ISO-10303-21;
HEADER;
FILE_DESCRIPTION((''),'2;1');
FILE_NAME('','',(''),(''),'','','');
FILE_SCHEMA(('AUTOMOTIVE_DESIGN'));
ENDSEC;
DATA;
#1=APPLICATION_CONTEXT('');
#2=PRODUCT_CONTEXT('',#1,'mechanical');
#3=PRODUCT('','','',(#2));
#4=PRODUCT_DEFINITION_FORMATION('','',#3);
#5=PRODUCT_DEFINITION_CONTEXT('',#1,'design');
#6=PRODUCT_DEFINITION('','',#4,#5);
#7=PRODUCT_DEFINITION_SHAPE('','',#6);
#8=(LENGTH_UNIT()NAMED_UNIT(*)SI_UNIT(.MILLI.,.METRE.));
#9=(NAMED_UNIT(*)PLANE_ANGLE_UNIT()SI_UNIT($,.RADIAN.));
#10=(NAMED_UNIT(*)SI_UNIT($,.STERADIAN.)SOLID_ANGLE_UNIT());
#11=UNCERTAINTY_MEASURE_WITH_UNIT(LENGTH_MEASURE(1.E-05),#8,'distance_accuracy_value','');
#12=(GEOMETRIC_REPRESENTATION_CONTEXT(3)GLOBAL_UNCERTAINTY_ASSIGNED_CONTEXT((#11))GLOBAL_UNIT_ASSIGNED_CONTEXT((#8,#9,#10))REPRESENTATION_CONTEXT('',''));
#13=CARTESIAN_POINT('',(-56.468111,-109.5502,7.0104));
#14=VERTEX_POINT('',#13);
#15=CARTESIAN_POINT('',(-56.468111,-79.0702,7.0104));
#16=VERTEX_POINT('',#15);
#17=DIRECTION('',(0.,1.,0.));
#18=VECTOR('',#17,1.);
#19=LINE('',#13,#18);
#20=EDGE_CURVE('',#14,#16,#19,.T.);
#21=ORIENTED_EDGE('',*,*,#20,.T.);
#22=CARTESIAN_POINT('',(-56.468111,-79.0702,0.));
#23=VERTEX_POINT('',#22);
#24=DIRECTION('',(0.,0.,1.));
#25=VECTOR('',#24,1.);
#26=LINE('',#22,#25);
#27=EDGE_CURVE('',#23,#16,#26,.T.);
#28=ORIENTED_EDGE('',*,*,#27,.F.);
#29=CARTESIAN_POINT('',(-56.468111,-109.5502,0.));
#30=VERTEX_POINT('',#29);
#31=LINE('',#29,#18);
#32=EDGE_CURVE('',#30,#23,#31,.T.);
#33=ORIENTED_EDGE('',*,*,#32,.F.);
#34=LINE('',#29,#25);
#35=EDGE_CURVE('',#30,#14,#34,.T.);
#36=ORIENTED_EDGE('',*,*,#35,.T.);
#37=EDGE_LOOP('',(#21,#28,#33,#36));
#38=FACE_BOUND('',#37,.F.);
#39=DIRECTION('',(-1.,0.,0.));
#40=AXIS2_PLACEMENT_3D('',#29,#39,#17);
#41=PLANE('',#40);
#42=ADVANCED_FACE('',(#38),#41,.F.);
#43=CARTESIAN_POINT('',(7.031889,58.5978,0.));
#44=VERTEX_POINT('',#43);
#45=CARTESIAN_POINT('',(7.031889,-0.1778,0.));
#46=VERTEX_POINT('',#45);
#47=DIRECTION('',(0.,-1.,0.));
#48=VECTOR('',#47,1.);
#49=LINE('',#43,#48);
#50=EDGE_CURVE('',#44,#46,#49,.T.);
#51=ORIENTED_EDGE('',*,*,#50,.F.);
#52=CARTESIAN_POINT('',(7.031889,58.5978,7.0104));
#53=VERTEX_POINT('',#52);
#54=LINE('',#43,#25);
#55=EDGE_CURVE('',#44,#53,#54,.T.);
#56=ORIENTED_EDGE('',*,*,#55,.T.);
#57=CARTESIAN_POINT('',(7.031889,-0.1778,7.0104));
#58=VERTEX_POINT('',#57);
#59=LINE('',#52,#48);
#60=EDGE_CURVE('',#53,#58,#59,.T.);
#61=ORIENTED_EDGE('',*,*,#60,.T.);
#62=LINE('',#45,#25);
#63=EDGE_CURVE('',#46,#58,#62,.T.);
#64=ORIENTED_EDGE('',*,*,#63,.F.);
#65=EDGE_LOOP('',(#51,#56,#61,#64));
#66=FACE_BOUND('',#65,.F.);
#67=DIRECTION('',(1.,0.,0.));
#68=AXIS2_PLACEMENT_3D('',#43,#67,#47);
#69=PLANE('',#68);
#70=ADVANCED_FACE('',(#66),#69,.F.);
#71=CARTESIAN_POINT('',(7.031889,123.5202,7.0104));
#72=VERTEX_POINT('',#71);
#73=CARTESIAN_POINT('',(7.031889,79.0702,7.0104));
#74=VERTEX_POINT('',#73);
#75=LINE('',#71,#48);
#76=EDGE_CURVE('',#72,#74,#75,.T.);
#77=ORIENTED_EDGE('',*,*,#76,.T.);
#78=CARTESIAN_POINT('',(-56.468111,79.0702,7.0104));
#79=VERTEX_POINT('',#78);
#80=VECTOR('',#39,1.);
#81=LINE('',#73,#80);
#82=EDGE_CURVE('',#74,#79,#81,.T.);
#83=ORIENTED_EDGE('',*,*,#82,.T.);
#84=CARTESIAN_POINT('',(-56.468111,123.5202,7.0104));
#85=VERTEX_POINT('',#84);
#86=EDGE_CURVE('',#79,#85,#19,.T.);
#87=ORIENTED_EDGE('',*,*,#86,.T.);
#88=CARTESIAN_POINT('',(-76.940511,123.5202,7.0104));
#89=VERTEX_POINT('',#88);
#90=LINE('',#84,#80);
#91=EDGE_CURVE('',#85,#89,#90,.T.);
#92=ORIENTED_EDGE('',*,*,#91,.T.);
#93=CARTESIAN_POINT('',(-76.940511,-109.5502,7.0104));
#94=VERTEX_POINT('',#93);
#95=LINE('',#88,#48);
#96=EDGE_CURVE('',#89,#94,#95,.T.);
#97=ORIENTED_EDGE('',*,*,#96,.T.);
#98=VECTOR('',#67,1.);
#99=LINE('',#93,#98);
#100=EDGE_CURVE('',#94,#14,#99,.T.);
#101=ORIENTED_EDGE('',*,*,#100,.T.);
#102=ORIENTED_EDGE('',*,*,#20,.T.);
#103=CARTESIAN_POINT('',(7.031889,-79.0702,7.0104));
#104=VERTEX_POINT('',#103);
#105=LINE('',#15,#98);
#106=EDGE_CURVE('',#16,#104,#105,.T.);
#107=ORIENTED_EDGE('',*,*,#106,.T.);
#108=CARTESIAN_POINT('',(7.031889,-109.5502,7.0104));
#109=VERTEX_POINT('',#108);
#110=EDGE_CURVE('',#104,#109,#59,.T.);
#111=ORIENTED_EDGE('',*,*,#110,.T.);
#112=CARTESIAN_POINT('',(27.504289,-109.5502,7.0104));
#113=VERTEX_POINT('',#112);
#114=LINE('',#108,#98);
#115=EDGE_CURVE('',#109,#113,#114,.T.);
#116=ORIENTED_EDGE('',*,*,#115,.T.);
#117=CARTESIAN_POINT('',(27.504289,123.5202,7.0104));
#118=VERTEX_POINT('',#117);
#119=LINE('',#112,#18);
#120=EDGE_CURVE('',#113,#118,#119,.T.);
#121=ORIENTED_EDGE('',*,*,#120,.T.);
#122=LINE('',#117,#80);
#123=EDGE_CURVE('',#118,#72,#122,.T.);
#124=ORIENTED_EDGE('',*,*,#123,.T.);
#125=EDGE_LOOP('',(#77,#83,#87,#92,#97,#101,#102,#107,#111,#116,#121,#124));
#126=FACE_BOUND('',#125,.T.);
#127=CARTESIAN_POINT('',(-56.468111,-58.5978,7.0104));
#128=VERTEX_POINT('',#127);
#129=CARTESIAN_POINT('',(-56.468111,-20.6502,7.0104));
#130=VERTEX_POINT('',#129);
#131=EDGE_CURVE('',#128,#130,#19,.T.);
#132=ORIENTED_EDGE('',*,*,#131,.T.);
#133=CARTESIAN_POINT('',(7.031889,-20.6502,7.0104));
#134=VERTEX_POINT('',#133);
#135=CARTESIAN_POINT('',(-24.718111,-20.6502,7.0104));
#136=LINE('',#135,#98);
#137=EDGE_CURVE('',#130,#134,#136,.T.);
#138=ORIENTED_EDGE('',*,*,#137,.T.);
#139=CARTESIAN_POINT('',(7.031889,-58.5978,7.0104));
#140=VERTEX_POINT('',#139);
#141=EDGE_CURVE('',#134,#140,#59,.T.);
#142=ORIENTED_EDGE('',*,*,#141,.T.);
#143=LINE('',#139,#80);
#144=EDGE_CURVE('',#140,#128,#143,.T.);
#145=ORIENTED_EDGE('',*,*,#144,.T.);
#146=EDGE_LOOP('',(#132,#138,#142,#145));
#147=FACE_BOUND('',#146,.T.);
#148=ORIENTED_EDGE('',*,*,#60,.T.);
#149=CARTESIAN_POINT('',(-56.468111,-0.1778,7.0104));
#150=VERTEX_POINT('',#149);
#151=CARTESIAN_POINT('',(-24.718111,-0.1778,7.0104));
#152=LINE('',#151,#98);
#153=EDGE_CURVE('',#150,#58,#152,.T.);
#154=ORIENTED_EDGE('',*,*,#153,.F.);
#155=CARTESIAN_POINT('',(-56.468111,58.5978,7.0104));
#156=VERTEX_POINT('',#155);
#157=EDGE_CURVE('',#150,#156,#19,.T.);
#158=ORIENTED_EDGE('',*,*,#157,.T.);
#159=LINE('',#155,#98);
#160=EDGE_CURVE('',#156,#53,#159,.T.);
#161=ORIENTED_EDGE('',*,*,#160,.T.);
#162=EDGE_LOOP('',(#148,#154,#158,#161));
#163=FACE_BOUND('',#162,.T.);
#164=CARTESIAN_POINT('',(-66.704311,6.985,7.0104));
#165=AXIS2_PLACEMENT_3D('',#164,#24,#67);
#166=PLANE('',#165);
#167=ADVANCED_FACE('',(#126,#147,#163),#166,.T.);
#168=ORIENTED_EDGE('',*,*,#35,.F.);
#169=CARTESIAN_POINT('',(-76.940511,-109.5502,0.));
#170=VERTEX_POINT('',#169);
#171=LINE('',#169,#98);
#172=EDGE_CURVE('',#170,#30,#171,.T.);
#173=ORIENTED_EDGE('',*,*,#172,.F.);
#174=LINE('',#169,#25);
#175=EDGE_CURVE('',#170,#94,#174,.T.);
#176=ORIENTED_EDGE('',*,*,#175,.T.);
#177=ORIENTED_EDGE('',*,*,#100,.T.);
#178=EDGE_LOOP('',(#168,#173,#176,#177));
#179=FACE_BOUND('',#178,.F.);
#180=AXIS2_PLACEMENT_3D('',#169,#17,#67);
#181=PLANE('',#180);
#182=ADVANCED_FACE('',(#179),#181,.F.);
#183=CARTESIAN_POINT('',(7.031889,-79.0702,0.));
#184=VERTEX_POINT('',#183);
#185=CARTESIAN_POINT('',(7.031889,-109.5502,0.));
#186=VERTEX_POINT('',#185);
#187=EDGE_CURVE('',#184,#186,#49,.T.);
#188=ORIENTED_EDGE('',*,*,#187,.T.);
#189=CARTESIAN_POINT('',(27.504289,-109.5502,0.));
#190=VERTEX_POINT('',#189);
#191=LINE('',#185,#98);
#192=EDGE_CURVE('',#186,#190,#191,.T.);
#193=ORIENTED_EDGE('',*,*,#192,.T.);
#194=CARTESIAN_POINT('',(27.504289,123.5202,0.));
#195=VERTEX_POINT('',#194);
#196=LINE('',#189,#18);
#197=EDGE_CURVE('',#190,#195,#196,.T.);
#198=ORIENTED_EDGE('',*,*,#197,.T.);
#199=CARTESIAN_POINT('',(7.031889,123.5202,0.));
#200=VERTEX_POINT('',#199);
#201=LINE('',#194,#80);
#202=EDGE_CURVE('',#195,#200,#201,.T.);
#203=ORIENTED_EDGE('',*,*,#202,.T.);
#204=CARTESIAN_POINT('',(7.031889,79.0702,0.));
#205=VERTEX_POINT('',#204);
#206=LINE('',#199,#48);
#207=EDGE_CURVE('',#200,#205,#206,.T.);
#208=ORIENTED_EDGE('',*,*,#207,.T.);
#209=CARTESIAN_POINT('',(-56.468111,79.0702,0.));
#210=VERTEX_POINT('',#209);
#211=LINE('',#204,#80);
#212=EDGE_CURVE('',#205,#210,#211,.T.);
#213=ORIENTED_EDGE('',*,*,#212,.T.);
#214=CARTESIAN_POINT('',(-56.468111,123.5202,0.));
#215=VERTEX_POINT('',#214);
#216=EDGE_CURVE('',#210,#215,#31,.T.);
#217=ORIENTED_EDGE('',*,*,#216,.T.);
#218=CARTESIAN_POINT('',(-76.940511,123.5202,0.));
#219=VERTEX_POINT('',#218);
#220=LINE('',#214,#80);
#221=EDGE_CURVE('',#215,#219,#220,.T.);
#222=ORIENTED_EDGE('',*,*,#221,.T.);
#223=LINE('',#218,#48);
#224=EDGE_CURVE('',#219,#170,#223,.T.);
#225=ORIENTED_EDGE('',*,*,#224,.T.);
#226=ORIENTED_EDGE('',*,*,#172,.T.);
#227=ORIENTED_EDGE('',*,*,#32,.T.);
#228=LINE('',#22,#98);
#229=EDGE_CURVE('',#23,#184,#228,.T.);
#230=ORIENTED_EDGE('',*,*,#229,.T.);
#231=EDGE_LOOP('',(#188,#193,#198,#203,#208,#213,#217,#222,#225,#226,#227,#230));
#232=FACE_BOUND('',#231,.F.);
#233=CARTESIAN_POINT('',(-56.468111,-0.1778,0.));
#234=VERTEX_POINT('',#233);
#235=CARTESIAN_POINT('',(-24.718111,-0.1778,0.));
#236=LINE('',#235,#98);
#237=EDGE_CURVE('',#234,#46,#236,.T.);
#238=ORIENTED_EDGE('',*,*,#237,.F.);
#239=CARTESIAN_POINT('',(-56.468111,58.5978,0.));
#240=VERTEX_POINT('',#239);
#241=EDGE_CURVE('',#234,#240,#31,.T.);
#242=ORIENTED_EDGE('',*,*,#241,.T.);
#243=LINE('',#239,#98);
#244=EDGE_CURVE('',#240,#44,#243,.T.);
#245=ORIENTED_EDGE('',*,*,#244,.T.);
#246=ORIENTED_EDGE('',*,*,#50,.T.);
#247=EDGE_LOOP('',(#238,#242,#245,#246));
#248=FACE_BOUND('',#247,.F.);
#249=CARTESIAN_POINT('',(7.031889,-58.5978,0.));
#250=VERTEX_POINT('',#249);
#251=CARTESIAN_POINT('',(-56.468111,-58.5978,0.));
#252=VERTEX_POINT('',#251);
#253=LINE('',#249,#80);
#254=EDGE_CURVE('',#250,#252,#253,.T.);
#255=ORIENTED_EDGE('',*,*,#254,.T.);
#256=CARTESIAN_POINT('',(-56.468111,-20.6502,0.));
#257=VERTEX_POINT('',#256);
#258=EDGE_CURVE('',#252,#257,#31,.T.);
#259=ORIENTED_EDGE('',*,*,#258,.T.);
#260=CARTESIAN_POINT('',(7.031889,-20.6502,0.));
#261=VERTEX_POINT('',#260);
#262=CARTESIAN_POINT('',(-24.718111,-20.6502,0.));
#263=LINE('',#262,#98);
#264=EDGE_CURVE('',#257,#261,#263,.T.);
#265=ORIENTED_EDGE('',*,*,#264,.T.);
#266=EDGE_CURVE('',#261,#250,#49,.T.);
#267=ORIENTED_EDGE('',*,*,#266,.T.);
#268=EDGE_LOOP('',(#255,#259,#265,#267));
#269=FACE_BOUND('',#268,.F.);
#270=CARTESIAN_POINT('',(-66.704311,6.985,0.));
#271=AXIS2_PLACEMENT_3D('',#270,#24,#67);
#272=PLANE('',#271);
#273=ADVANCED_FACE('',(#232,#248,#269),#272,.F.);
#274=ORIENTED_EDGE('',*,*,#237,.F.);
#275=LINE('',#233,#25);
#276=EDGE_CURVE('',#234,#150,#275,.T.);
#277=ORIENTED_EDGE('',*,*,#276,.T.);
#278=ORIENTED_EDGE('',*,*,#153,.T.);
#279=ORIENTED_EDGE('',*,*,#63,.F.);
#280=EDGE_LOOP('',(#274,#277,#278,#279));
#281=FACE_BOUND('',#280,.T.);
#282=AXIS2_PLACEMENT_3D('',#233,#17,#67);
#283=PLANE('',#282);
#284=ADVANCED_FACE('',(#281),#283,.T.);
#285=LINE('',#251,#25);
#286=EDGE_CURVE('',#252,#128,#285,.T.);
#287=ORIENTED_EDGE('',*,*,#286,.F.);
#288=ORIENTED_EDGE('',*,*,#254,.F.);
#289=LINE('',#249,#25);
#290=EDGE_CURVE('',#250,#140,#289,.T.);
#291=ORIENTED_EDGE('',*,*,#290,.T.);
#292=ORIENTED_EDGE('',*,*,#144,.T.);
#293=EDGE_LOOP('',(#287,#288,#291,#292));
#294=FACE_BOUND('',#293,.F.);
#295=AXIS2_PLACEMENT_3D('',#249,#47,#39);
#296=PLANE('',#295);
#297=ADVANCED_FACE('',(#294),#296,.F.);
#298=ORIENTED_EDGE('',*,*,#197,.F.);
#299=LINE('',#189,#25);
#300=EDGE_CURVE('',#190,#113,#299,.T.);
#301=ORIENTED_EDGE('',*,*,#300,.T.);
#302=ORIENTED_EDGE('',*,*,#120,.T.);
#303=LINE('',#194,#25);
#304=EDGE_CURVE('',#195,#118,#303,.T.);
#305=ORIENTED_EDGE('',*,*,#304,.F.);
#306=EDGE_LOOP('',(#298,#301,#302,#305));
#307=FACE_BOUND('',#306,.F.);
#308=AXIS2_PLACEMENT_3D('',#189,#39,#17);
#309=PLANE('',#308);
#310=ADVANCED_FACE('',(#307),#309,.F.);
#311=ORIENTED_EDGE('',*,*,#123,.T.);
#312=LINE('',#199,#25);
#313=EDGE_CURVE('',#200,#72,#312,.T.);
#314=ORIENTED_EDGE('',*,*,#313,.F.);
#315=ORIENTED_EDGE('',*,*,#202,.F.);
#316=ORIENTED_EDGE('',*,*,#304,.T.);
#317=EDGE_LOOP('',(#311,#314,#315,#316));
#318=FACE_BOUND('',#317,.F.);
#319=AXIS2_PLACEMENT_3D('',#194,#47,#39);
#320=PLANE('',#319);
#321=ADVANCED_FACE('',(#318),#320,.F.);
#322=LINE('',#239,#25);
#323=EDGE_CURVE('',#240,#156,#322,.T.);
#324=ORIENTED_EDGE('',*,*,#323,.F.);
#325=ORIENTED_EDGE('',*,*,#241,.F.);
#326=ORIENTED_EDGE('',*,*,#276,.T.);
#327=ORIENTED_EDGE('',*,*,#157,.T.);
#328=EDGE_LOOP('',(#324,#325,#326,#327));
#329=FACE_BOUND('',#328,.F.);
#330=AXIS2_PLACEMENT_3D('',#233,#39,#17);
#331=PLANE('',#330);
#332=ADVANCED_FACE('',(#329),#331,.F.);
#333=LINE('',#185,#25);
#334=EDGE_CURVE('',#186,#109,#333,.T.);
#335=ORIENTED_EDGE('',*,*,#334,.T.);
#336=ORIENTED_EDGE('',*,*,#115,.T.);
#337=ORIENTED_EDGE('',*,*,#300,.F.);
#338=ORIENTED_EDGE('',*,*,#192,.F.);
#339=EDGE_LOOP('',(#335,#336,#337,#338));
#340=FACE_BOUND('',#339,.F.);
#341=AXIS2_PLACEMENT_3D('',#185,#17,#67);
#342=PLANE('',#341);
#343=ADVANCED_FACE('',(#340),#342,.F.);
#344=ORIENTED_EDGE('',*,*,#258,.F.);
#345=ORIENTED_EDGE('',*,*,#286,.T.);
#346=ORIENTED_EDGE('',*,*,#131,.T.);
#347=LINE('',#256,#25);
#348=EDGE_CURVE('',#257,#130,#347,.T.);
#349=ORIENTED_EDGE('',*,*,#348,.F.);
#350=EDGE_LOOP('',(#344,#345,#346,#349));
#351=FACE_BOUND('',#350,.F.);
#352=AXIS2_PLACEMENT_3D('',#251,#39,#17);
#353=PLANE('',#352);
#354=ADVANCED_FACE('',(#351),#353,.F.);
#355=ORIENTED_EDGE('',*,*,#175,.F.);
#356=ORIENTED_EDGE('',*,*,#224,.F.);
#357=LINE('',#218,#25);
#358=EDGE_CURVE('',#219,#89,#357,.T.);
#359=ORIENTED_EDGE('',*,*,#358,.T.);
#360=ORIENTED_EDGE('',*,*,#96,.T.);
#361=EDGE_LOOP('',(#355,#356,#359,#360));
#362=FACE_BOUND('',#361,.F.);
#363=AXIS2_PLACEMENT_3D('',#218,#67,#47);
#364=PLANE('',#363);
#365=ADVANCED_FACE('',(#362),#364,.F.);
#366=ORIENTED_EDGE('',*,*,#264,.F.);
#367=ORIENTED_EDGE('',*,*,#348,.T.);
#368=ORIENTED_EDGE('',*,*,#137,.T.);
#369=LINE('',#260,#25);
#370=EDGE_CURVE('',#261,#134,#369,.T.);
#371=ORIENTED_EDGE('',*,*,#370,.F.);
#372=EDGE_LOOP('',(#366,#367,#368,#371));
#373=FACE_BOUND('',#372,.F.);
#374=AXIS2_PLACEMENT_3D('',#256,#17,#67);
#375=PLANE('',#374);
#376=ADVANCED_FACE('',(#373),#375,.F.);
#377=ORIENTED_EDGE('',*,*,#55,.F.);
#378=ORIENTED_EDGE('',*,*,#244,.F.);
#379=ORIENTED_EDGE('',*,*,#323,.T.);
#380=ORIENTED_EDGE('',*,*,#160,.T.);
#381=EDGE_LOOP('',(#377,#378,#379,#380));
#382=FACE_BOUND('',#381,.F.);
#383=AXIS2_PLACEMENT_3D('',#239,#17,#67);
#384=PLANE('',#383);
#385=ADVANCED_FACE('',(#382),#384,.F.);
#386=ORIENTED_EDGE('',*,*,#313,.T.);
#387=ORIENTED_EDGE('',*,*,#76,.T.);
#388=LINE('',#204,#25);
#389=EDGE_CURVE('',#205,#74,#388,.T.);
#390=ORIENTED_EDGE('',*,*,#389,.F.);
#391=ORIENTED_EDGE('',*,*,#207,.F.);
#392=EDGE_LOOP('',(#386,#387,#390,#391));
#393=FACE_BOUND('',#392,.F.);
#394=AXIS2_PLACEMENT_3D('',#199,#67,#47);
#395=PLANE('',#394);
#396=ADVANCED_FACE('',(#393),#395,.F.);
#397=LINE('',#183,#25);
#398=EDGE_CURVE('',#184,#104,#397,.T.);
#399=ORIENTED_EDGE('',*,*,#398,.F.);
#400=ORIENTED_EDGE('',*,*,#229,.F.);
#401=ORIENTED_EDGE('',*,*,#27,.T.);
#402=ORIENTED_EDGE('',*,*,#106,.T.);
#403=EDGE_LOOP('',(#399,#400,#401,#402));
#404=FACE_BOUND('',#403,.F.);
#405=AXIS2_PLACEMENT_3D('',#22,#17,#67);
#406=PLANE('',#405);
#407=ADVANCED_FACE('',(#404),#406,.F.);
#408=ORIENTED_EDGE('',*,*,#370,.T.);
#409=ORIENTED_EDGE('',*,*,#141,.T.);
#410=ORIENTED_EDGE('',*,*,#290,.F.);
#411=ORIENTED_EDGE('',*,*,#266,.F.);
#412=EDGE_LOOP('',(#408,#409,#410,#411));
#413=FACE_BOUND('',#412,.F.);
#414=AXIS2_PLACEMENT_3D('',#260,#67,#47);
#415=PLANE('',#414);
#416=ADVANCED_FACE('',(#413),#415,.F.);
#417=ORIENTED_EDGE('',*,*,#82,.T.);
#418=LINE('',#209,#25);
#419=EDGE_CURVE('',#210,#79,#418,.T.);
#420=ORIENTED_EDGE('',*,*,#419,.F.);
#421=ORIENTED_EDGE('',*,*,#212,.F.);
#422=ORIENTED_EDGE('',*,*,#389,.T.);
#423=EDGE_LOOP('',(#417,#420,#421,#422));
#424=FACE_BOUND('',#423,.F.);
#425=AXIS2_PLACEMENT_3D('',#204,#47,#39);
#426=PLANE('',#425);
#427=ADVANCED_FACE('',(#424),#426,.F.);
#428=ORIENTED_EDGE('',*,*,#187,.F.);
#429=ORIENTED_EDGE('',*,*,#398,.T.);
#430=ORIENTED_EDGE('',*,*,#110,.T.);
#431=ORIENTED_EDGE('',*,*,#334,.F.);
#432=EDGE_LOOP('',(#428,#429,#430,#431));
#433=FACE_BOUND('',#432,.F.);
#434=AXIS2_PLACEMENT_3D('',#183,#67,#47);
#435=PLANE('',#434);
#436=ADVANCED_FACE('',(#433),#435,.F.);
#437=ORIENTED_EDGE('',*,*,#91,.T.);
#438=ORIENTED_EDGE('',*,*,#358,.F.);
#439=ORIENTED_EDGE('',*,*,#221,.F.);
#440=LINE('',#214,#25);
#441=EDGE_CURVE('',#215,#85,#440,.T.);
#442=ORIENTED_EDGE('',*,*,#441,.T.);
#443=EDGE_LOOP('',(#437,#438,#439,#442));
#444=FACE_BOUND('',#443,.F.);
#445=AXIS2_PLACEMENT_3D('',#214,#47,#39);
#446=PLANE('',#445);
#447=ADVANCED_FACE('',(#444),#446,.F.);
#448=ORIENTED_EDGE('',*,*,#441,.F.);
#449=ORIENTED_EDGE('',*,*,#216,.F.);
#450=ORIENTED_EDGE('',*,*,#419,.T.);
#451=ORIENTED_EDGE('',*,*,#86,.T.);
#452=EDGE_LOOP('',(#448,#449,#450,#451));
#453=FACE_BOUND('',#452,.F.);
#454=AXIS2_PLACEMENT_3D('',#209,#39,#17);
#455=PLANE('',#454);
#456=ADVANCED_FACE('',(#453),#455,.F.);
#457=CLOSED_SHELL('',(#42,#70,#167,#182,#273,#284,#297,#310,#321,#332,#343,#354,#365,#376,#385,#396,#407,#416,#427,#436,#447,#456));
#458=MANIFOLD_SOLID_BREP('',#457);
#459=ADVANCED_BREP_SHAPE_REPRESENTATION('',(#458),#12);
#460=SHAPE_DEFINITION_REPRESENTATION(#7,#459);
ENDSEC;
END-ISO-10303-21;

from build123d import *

# Parameters (mm, degrees)
F0_W     = 31.75
F0_H     = 20.4724
F0_W_2   = 63.5
F1_DEPTH = 7.0104


with BuildPart() as f1:
    # F0 (on Top) → F1 (new body)
    with BuildSketch(Plane.XY):
        Polygon((-56.468111, 123.5202), (-76.940511, 123.5202), (-76.940511, -109.5502), (-56.468111, -109.5502), (-56.468111, -79.0702), (-56.468111, -58.5978), (-56.468111, -20.6502), (-56.468111, -0.1778), (-56.468111, 58.5978), (-56.468111, 79.0702), align=None)
        with Locations((-40.593111, 68.834)):
            Rectangle(F0_W, F0_H)
        with Locations((-8.843111, 68.834)):
            Rectangle(F0_W, F0_H)
        Polygon((7.031889, 123.5202), (7.031889, 79.0702), (7.031889, 58.5978), (7.031889, -0.1778), (7.031889, -20.6502), (7.031889, -58.5978), (7.031889, -79.0702), (7.031889, -109.5502), (27.504289, -109.5502), (27.504289, 123.5202), align=None)
        with Locations((-24.718111, -10.414)):
            Rectangle(F0_W_2, F0_H)
        with Locations((-40.593111, -68.834)):
            Rectangle(F0_W, F0_H)
        with Locations((-8.843111, -68.834)):
            Rectangle(F0_W, F0_H)
    extrude(amount=F1_DEPTH)


solid = f1.part
